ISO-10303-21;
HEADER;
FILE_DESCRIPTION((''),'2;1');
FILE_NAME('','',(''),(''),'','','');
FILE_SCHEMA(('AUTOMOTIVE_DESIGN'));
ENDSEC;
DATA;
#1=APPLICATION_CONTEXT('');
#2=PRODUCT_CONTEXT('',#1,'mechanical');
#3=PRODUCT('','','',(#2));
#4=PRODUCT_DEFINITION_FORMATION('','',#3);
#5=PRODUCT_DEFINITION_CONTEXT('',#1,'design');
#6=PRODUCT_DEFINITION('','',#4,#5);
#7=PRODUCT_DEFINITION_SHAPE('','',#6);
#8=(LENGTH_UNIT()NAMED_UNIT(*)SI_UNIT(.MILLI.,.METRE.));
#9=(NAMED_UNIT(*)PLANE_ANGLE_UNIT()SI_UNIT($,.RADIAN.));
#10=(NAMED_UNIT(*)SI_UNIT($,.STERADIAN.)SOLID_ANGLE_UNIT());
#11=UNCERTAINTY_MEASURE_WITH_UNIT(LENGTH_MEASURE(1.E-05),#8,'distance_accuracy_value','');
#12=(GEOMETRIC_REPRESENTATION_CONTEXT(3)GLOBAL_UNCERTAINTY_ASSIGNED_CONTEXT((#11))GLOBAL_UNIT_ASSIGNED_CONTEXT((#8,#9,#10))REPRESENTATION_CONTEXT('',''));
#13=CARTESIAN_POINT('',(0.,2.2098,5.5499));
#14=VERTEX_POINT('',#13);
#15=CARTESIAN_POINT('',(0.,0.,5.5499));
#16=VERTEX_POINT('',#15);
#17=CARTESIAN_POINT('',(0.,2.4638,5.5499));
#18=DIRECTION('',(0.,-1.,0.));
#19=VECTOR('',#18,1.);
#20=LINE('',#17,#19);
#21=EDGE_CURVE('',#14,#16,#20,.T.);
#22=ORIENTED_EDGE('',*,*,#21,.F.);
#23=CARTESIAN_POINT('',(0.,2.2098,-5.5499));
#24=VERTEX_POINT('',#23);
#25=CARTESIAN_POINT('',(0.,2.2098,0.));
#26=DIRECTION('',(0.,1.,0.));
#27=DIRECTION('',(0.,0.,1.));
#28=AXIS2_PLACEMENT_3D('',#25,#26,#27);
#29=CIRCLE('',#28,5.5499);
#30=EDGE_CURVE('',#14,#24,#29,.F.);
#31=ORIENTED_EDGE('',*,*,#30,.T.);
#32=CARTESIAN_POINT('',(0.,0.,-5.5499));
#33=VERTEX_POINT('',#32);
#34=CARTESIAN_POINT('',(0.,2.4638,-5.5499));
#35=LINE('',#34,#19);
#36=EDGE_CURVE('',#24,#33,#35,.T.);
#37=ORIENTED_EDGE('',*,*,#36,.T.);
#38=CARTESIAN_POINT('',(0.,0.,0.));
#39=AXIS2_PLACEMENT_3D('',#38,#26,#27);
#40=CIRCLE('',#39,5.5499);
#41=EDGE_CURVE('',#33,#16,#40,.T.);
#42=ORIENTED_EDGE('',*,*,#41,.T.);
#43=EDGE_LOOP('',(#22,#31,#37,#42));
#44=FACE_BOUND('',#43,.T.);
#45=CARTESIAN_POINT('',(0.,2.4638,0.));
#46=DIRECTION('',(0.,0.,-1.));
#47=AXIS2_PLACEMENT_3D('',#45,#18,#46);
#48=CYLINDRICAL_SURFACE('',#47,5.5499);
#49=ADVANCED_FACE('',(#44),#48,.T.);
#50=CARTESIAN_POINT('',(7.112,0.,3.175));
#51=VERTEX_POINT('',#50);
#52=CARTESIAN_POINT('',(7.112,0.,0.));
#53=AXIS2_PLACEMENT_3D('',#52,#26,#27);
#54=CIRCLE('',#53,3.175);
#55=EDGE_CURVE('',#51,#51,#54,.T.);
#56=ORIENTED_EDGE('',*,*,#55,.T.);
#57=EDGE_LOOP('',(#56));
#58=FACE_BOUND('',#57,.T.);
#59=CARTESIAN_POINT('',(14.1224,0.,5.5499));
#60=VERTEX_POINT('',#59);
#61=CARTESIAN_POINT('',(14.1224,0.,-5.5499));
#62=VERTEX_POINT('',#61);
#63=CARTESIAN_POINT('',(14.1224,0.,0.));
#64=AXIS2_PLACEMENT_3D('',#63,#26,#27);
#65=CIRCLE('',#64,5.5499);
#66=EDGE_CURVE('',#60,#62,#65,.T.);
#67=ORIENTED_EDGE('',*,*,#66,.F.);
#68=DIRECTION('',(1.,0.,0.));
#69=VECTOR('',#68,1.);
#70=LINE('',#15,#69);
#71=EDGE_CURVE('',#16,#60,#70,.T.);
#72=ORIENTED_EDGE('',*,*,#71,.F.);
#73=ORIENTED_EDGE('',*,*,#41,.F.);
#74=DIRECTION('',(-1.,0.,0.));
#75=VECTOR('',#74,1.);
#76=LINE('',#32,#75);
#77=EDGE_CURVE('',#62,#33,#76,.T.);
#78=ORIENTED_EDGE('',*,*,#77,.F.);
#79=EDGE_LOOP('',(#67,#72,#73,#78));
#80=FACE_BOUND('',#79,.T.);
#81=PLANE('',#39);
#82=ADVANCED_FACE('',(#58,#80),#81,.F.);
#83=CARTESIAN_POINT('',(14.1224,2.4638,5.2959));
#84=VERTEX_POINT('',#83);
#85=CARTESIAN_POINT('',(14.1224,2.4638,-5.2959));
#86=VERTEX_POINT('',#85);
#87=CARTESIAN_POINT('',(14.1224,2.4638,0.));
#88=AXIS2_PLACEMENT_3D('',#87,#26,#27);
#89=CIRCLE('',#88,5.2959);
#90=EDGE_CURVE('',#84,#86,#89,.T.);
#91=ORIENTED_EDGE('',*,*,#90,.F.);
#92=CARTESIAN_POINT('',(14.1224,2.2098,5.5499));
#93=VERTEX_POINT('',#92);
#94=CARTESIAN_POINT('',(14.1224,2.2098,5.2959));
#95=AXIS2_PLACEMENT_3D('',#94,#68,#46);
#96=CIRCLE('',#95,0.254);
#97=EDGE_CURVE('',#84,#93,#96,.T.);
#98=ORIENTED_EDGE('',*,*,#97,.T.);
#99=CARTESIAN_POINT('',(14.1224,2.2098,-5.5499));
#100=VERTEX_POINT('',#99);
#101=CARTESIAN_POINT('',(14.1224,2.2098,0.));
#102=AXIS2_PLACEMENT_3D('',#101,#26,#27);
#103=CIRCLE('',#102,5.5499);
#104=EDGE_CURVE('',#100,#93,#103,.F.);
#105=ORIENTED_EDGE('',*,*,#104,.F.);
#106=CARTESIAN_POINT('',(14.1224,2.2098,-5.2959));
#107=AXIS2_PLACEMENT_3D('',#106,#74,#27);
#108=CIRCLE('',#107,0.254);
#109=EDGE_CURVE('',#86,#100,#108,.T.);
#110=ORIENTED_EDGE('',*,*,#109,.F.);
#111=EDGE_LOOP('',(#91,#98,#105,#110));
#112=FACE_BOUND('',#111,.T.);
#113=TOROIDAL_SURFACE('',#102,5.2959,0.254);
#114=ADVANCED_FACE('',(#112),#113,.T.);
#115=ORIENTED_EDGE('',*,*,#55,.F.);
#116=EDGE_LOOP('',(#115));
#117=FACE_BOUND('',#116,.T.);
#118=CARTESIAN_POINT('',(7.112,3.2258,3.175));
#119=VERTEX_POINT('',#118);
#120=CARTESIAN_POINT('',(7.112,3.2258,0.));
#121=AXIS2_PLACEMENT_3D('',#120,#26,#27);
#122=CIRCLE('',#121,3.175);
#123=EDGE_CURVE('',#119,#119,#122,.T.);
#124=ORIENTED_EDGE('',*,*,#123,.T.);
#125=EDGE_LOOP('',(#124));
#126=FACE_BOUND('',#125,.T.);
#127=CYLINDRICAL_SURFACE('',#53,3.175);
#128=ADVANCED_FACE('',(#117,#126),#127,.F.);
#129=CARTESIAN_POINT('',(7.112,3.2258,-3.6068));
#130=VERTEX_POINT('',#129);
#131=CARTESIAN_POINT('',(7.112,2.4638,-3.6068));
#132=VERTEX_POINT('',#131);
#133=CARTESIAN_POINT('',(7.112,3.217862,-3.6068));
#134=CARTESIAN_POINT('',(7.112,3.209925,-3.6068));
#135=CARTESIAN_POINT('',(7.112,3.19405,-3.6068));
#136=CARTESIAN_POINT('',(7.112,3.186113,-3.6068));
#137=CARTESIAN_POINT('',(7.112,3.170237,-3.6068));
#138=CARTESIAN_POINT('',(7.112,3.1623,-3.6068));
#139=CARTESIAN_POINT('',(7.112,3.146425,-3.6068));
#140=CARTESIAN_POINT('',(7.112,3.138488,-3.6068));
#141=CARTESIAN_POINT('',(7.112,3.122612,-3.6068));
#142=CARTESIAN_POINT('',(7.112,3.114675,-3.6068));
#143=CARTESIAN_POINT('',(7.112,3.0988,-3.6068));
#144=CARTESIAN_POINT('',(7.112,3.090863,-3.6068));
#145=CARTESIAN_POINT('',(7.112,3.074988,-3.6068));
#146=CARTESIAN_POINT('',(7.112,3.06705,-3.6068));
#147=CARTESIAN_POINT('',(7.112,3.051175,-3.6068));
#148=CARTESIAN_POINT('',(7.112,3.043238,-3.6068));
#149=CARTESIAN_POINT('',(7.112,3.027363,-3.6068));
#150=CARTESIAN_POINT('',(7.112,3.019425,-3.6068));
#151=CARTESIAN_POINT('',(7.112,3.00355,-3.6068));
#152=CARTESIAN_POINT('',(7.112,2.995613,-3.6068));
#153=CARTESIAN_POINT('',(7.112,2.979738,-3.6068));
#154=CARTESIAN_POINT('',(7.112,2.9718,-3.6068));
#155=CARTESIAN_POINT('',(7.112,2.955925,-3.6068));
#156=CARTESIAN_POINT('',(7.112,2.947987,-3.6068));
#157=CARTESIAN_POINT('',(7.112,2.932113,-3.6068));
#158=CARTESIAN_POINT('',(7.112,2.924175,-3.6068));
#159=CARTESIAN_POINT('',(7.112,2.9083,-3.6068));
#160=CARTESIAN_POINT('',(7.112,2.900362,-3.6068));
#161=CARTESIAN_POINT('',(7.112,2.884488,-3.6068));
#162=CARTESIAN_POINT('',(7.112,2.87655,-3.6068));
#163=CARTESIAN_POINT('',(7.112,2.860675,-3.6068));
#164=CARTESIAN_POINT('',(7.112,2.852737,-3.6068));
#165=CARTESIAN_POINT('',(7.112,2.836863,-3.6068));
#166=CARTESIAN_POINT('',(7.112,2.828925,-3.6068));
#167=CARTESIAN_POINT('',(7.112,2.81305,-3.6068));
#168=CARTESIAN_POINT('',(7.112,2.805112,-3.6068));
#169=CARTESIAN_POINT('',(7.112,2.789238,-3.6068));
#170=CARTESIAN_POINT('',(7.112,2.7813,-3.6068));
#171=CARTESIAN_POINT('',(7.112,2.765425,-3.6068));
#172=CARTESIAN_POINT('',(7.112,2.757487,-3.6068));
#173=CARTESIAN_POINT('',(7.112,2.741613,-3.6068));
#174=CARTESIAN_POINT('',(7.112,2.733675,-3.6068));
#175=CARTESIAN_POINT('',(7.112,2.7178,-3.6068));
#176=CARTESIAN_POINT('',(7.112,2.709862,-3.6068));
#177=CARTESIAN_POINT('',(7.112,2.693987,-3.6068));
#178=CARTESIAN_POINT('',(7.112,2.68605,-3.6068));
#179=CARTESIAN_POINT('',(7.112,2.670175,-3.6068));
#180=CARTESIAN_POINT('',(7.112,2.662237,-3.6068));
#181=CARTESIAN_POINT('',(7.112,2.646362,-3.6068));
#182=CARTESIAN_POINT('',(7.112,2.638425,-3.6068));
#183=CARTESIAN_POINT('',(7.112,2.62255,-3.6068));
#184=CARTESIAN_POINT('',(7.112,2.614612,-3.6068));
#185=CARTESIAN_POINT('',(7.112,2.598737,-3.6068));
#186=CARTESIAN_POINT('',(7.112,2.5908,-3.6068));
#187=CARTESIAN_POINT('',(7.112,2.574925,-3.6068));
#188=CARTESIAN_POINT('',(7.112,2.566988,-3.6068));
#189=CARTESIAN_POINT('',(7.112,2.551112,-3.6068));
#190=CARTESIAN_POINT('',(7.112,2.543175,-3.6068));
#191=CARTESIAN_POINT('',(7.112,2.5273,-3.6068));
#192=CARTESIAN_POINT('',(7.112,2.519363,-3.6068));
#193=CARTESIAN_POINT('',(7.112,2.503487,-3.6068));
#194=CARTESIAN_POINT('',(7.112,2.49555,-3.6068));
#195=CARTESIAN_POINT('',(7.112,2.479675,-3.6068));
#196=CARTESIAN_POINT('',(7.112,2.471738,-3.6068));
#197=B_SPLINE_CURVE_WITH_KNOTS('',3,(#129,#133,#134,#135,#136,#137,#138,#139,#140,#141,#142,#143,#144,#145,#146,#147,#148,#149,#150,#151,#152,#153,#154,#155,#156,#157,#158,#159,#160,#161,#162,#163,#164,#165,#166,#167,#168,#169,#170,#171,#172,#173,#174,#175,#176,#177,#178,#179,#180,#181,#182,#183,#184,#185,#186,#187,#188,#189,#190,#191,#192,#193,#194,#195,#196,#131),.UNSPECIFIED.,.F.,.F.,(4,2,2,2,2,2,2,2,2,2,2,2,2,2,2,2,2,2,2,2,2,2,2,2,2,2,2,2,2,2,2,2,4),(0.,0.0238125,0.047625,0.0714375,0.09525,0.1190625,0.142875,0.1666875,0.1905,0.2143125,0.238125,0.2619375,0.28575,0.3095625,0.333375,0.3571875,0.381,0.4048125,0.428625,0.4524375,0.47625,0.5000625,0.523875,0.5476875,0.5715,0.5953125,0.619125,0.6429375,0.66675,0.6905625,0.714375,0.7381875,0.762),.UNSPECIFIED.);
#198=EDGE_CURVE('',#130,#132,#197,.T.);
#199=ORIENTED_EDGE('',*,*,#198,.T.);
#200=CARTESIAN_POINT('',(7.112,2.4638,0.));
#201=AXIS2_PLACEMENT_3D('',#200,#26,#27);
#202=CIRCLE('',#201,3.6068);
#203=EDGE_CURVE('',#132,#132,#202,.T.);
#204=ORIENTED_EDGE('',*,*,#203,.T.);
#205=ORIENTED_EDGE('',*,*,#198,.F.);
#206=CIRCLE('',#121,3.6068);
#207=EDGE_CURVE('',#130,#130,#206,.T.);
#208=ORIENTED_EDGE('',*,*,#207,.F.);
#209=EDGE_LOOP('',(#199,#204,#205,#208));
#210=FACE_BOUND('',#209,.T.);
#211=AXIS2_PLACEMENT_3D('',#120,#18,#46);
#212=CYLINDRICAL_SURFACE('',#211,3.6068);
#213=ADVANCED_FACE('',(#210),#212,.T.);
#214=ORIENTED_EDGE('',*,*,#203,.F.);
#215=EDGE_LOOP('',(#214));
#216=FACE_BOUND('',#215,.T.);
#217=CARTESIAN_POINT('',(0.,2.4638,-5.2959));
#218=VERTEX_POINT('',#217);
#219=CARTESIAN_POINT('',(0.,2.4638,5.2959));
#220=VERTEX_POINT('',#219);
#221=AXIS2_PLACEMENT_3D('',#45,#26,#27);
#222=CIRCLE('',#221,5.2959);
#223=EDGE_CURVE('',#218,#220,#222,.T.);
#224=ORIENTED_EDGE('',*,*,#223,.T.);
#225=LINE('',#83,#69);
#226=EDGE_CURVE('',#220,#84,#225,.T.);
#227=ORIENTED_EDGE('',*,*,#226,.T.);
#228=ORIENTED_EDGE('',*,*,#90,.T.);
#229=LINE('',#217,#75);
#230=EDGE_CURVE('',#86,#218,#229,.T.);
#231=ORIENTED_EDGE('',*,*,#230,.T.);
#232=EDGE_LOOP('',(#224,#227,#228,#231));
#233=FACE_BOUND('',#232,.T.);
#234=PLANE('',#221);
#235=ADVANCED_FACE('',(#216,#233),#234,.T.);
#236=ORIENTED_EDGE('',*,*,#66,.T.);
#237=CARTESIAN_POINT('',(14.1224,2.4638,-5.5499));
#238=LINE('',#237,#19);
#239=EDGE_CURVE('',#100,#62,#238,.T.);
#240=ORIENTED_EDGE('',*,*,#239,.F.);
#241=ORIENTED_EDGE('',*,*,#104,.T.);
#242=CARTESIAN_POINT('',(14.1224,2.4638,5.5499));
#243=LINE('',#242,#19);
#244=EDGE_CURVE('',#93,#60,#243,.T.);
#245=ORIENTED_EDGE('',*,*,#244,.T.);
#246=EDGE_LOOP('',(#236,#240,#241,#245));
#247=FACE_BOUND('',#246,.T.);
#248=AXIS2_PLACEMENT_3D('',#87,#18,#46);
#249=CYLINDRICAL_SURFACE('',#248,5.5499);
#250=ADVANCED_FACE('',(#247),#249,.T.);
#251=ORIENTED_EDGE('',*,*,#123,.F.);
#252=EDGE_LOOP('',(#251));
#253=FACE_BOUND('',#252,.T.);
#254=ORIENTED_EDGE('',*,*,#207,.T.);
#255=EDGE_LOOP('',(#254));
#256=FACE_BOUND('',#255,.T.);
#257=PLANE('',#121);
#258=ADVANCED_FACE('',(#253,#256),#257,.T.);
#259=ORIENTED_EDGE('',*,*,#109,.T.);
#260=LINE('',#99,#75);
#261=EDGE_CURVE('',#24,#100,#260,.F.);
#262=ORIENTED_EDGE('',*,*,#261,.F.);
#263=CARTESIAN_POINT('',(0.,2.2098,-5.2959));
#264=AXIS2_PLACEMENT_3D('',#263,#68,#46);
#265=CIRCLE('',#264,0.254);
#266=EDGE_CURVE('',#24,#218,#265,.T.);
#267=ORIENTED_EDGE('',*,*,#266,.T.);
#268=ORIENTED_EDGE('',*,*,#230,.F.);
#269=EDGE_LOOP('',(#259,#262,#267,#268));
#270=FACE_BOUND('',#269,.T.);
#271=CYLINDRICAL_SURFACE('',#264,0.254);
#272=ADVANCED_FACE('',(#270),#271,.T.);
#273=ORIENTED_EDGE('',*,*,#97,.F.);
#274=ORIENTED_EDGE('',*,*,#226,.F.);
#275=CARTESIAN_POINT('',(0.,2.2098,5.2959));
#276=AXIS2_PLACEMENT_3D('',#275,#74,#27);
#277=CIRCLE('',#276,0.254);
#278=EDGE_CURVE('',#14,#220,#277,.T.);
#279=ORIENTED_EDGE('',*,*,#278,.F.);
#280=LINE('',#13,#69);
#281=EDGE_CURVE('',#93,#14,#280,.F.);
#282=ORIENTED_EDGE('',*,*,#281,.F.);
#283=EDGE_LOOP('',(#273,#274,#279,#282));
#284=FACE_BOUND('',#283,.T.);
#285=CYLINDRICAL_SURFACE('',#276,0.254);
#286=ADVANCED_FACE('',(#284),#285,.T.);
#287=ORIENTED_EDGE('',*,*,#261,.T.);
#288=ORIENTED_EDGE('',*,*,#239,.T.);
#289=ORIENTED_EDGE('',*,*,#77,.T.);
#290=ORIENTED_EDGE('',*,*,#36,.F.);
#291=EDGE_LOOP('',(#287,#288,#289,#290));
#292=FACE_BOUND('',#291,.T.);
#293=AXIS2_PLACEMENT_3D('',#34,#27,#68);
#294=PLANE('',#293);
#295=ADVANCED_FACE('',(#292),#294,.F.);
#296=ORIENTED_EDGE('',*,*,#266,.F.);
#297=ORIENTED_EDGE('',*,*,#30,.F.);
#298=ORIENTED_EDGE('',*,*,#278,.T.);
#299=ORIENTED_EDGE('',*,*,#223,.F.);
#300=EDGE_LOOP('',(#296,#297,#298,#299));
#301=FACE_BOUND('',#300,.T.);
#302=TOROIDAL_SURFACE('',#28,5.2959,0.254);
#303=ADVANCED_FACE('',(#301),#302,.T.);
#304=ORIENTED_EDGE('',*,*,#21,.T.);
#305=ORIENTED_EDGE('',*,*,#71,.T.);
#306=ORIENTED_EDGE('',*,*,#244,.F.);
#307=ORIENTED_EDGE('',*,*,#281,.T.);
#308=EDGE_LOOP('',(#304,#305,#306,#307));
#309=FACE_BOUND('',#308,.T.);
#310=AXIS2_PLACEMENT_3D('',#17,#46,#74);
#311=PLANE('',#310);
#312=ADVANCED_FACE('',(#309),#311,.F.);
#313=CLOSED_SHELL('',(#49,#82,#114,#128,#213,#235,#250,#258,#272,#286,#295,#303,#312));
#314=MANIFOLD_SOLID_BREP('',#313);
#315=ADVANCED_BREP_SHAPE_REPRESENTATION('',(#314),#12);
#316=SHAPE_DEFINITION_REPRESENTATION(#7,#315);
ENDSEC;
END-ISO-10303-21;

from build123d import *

# Parameters (mm, degrees)
BOSS_EXTRUDE1_DEPTH = 2.4638
SKETCH2_R           = 3.6068
BOSS_EXTRUDE3_DEPTH = 0.762
SKETCH5_R           = 3.175
CUT_EXTRUDE2_DEPTH  = 21.693152562
FILLET1_R           = 0.254


with BuildPart() as part:
    # Sketch1 → Boss-Extrude1 (new body)
    with BuildSketch(Plane(origin=(0, 0, 0), x_dir=(1, 0, 0), z_dir=(0, 1, 0))):
        with BuildLine():
            Line((0, 5.5499), (14.1224, 5.5499))
            ThreePointArc((14.1224, 5.5499), (19.6723, 0), (14.1224, -5.5499))
            Line((14.1224, -5.5499), (0, -5.5499))
            ThreePointArc((0, -5.5499), (-5.5499, 0), (0, 5.5499))
        make_face()
    extrude(amount=BOSS_EXTRUDE1_DEPTH)

    # Sketch2 → Boss-Extrude3 (add)
    with BuildSketch(Plane(origin=(0, 2.4638, 0), x_dir=(1, 0, 0), z_dir=(0, 1, 0))):
        with Locations(Location((7.112, 0, 0), (0, 0, 90))):
            Circle(SKETCH2_R)
    extrude(amount=BOSS_EXTRUDE3_DEPTH)

    # Sketch5 → Cut-Extrude2 (cut, through all)
    with BuildSketch(Plane(origin=(0, 3.2258, 0), x_dir=(1, 0, 0), z_dir=(0, 1, 0))):
        with Locations(Location((7.112, 0, 0), (0, 0, 270))):
            Circle(SKETCH5_R)
    extrude(amount=-CUT_EXTRUDE2_DEPTH, mode=Mode.SUBTRACT)

    # Fillet1
    fillet1_edges = [part.edges().sort_by_distance(p)[0] for p in [
        (19.6723, 2.4638, 0),
        (7.0612, 2.4638, -5.5499),
        (-5.5499, 2.4638, 0),
        (7.0612, 2.4638, 5.5499),
    ]]
    fillet(fillet1_edges, radius=FILLET1_R)


solid = part.part
